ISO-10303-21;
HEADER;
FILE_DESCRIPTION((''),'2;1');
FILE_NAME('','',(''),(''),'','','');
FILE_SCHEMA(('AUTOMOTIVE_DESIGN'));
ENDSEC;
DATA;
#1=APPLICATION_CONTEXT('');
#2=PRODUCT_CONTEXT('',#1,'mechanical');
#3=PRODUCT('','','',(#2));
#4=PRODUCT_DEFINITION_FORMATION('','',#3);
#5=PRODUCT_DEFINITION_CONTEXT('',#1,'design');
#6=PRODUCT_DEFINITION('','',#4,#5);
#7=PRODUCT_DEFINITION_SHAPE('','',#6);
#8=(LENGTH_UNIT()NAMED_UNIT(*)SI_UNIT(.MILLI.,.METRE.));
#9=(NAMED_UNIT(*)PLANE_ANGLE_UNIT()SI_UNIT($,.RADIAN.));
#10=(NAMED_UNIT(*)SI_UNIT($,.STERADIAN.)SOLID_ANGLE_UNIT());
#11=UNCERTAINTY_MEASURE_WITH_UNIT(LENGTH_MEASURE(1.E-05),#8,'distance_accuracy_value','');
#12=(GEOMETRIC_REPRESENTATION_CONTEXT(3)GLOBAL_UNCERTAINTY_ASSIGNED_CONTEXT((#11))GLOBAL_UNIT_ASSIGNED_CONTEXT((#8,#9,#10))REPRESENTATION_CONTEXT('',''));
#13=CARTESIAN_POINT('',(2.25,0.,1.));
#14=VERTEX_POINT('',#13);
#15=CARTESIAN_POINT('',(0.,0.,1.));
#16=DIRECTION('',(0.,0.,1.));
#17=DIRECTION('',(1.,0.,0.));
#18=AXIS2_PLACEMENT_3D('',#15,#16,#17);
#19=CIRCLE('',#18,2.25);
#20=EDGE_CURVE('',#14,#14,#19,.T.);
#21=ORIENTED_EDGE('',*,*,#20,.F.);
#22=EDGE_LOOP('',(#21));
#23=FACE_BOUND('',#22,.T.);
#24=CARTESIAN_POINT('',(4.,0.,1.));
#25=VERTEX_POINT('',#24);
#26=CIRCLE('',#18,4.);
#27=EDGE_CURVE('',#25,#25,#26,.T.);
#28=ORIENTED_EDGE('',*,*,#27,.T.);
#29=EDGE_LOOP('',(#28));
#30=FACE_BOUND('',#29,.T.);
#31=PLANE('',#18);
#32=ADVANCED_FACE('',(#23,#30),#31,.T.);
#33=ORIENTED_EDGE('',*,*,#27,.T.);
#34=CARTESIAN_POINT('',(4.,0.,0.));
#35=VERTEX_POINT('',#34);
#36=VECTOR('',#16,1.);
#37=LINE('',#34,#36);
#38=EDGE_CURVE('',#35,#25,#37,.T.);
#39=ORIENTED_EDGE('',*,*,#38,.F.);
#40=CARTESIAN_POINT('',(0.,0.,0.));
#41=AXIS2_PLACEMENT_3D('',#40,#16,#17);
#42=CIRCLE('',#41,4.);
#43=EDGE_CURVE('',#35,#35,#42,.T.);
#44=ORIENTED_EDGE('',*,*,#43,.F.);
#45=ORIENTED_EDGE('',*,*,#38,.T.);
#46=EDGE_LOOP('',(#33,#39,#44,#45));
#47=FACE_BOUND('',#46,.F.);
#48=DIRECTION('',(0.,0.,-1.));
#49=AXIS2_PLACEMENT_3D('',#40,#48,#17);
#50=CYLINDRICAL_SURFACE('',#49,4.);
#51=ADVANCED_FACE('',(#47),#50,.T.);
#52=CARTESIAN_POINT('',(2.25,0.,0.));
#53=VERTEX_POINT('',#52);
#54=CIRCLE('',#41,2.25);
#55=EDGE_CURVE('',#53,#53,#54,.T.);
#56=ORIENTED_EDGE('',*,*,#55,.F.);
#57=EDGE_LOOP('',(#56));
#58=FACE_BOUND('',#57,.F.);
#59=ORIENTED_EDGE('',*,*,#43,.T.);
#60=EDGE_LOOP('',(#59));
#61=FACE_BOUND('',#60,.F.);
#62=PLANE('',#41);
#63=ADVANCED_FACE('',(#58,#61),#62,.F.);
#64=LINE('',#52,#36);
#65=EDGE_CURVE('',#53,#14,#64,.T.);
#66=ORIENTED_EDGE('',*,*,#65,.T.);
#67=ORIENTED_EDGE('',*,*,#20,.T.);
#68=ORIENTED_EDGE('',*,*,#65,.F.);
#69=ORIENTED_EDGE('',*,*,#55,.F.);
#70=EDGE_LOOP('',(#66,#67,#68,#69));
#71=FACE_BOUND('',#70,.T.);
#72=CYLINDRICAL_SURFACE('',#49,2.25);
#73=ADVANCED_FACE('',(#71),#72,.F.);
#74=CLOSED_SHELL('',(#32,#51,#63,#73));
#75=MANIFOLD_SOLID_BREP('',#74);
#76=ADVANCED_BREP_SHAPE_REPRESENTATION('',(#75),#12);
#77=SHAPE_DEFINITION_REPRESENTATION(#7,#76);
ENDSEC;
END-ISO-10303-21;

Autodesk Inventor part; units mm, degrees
ref_plane "YZ Plane" through (0, 0, 0) normal (1, 0, 0) x (0, 1, 0)
ref_plane "XZ Plane" through (0, 0, 0) normal (0, 1, 0) x (-1, 0, 0)
ref_plane "XY Plane" through (0, 0, 0) normal (0, 0, 1) x (1, 0, 0)
sketch "スケッチ1" plane through (0, 0, 0) normal (0, 0, 1) x (1, 0, 0)
  circle A0 centre (0, 0) radius 4
  circle A1 centre (0, 0) radius 2.25
  dimension "d0" = 4.5
  dimension "d1" = 8
extrude "押し出し1" add sketch "スケッチ1" along normal blind 1
properties part number "02" material "ステンレス鋼、440C"
